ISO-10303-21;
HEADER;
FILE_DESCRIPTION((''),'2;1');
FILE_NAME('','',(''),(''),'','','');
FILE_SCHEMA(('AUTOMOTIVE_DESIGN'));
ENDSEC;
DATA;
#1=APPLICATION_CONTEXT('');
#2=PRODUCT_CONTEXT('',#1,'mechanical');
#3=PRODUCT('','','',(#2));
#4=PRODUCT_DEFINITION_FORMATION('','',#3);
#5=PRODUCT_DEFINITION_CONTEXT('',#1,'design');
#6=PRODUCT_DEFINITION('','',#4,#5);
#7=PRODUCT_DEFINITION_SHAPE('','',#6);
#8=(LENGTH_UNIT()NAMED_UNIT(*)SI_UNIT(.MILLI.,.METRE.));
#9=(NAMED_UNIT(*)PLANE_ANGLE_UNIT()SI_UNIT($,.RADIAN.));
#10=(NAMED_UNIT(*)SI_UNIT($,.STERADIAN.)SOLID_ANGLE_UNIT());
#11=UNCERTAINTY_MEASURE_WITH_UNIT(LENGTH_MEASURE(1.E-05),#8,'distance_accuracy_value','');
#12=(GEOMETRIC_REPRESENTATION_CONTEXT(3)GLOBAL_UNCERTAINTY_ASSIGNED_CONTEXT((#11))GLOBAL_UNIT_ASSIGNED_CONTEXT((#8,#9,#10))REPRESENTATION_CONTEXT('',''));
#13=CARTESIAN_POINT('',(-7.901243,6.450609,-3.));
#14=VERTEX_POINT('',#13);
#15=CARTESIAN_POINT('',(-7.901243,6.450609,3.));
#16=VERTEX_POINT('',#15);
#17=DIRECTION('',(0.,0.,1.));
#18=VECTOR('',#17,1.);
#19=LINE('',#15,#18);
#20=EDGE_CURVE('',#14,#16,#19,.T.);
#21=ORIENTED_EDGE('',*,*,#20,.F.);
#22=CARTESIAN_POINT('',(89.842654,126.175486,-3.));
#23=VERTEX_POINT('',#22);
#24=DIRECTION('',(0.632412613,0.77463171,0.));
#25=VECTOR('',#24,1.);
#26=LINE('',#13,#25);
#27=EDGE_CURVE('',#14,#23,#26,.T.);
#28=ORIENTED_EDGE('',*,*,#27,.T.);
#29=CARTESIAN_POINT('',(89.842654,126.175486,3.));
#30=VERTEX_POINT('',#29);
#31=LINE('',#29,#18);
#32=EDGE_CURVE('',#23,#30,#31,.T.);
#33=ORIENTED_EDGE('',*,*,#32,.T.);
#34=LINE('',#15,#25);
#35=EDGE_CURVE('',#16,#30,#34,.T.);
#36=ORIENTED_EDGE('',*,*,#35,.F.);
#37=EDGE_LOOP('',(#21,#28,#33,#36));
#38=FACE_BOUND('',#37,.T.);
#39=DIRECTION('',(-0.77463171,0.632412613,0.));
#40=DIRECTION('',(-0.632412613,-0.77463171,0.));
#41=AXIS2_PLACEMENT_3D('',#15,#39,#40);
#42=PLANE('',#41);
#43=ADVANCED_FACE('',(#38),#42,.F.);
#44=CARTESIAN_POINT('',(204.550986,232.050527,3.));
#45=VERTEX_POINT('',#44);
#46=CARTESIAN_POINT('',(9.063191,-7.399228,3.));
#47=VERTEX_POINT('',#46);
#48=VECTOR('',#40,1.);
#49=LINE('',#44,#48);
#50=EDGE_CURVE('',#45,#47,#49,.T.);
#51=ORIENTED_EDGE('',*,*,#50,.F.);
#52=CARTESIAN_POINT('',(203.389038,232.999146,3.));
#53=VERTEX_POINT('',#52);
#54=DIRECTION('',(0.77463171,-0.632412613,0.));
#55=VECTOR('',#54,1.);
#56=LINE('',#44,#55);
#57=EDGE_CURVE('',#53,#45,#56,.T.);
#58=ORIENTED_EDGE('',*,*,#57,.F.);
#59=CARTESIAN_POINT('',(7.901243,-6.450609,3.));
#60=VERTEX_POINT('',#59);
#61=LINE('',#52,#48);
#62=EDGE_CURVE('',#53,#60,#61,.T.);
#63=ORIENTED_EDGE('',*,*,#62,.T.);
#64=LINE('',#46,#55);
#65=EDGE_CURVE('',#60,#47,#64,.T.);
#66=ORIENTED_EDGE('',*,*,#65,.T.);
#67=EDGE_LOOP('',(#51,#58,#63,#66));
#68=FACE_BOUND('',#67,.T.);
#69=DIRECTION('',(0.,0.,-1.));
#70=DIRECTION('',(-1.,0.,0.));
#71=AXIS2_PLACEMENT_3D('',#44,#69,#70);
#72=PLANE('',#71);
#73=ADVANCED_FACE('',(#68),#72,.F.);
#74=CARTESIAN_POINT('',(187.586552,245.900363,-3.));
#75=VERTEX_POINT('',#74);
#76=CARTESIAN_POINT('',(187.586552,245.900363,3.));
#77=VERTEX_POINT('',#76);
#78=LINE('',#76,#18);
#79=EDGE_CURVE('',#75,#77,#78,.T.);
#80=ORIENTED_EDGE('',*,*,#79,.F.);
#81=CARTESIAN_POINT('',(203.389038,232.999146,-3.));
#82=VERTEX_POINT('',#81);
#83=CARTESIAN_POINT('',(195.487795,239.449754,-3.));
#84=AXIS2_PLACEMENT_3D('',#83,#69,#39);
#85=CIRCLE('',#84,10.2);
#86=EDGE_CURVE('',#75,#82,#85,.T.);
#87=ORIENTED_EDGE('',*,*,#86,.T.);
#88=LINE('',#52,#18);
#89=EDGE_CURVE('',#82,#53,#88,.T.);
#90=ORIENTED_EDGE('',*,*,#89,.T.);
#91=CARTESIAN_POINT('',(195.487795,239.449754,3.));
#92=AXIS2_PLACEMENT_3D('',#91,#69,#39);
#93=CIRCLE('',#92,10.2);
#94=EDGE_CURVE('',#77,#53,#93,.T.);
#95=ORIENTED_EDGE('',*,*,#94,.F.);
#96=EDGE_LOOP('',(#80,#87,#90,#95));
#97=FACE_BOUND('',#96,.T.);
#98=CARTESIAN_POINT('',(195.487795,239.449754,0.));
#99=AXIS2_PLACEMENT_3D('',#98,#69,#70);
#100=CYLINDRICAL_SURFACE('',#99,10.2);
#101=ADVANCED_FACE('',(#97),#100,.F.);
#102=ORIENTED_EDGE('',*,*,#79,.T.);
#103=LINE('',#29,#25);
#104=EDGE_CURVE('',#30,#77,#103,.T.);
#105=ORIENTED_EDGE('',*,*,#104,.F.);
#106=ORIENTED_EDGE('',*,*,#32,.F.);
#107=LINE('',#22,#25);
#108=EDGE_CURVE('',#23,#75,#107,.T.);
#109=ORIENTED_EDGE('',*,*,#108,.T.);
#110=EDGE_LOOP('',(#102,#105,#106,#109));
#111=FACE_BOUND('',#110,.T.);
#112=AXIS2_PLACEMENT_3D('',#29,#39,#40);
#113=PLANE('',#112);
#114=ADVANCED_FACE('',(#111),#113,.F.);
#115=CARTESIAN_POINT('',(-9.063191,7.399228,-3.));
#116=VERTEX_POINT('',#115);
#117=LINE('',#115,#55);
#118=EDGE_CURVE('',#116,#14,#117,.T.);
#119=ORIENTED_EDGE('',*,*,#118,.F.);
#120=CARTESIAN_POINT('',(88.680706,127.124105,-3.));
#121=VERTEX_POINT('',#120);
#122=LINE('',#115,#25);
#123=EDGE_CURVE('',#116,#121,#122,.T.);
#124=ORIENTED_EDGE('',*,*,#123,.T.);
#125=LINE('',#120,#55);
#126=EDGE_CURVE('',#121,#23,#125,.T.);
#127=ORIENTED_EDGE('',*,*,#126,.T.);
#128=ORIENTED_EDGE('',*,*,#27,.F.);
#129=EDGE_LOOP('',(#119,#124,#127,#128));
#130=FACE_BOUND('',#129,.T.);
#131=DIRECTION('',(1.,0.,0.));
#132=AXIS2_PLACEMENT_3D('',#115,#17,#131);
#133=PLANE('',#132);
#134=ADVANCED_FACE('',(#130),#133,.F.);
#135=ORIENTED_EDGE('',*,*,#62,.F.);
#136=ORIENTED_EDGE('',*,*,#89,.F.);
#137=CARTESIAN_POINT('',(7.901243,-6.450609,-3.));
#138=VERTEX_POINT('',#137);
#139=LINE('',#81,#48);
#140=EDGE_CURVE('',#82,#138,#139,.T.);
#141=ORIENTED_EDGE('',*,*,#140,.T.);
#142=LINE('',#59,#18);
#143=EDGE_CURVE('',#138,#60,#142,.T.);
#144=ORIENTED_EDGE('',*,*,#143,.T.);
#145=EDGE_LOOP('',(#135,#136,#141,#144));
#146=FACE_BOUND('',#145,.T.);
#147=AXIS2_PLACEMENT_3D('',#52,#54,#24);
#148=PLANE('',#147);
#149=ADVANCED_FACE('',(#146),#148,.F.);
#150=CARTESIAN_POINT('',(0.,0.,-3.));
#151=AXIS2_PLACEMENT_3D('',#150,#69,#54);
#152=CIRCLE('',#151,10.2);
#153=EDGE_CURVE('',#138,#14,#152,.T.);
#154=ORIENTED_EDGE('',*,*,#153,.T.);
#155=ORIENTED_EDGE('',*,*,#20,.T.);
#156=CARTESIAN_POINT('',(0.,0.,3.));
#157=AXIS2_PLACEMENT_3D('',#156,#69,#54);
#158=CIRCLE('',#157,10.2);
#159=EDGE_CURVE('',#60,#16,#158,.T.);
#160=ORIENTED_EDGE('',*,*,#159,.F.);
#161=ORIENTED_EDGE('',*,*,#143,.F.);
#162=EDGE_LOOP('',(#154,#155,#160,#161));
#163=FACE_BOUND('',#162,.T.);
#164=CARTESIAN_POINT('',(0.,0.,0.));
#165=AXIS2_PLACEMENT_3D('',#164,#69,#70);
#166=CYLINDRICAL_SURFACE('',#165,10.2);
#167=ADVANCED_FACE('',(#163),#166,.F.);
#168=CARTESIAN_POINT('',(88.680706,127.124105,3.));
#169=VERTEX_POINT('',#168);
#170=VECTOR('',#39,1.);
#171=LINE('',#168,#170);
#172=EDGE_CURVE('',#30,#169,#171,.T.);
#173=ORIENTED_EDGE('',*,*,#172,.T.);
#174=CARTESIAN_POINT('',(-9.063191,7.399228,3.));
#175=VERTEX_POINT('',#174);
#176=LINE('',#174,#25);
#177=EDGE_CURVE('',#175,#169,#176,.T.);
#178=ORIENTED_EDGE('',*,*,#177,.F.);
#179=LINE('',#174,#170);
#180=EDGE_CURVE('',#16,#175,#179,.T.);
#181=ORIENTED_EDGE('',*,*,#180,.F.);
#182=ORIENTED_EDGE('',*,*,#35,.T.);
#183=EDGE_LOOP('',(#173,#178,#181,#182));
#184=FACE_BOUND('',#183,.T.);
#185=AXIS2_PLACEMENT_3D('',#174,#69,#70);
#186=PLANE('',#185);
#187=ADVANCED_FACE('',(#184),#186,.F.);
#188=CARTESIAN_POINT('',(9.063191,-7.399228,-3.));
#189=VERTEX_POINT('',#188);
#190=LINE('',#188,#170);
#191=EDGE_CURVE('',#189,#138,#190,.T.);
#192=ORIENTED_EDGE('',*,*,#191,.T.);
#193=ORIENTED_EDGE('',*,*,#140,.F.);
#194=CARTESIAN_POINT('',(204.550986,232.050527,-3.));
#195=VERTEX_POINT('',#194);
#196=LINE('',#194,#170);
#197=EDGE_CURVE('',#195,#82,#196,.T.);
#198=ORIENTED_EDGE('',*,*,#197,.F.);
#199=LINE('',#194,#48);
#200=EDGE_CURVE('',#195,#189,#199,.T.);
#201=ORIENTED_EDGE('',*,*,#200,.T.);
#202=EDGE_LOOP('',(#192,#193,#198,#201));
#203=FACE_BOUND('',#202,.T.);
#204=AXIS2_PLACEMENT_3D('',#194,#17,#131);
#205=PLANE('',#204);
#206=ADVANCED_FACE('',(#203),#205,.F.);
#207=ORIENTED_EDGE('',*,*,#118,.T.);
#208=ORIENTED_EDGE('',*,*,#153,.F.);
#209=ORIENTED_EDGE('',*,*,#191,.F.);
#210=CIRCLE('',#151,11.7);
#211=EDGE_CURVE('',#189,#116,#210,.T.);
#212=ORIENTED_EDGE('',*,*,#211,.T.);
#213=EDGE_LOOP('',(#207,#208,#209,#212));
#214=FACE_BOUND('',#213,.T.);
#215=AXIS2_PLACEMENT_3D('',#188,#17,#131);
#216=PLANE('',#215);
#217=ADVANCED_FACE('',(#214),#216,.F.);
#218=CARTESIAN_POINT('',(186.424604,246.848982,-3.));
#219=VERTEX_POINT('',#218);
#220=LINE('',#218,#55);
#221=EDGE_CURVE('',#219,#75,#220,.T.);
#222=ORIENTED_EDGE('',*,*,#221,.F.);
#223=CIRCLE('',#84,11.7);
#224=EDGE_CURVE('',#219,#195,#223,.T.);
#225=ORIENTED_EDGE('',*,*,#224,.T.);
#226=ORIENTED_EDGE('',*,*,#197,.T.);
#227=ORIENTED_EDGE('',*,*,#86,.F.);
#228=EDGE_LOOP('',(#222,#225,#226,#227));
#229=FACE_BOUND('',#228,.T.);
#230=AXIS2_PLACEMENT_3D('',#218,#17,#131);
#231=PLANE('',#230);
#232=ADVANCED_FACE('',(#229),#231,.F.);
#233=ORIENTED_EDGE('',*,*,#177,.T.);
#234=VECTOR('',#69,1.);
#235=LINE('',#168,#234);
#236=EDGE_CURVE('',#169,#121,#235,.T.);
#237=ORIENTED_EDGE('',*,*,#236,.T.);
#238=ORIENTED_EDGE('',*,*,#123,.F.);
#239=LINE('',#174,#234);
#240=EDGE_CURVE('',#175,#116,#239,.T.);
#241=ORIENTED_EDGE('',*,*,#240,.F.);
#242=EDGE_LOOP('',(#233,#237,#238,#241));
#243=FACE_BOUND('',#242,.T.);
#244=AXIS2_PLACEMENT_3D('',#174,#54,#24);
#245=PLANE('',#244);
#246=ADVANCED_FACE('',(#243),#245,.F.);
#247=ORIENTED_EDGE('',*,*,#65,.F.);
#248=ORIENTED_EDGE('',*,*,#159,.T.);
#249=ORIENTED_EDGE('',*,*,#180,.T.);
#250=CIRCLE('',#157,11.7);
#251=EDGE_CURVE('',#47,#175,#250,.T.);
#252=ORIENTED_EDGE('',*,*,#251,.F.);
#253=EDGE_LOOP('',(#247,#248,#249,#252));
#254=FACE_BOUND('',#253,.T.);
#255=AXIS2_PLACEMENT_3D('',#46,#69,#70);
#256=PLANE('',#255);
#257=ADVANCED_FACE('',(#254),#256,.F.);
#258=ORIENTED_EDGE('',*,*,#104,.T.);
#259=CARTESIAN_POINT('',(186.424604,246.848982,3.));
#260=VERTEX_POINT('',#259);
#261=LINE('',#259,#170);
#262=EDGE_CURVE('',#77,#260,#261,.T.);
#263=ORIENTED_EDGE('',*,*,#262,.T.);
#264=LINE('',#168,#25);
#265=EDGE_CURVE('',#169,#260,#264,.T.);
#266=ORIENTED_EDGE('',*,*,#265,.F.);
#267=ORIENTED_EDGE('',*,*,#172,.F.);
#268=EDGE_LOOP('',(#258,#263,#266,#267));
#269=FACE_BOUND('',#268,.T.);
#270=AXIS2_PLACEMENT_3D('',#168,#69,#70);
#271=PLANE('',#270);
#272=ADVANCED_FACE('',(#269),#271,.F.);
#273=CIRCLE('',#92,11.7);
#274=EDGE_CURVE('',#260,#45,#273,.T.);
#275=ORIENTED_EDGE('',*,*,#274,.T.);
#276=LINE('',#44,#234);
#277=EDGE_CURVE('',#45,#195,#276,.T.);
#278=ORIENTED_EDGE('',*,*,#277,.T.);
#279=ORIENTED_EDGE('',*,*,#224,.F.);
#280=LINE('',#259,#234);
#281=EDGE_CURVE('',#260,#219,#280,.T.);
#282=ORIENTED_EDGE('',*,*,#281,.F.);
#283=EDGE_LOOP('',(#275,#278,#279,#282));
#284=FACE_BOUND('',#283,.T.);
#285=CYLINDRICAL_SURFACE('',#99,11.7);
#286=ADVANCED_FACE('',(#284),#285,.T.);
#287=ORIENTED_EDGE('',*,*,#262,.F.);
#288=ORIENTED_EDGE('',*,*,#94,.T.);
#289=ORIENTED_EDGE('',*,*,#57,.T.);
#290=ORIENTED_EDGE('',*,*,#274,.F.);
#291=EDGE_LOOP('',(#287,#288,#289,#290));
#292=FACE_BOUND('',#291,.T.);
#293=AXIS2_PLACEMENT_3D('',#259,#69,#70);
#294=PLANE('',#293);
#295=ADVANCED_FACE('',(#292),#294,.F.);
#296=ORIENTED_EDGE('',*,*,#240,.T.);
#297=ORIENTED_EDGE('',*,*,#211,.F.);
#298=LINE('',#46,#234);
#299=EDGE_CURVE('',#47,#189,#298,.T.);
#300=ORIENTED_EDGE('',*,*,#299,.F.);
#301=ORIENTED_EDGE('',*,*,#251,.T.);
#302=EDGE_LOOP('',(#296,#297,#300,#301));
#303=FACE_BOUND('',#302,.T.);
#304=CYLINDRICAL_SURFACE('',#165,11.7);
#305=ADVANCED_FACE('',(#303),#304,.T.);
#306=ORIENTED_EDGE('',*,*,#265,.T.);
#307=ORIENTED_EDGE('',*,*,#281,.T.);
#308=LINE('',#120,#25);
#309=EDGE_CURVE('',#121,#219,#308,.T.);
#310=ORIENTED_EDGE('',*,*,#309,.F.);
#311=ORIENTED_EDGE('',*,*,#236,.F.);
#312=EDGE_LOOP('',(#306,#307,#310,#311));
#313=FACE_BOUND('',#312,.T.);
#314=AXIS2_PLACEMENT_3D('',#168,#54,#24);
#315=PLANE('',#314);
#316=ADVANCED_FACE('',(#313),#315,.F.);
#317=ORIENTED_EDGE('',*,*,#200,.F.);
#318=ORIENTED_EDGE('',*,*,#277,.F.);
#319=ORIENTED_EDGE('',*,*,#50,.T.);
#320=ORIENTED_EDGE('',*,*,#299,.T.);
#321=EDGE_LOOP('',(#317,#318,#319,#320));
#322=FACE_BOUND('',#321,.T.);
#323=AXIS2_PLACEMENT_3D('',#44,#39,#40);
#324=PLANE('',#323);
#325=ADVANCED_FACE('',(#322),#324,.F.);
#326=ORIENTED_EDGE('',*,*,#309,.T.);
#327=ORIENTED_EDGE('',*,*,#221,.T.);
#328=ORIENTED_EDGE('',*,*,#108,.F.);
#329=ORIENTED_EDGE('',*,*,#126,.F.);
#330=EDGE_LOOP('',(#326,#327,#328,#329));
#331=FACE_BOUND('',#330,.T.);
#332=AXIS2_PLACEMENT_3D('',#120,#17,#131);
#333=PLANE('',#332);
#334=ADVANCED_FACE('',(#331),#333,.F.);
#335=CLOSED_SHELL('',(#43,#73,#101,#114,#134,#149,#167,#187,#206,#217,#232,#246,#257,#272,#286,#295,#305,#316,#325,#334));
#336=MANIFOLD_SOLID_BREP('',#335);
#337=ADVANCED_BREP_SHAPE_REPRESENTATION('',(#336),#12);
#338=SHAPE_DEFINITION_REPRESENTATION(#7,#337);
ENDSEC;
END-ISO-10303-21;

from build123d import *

# Parameters (mm, degrees)
SKETCH2_W = 1.5
SKETCH2_H = 6


with BuildPart() as part:
    # Sweep1: sweep along a path in Sketch1
    with BuildLine(Plane.XY) as sweep1_path:
        Line((187.586551529, 245.900362982), (-7.901243443, 6.450608657))
        ThreePointArc((-7.901243443, 6.450608657), (-6.450608657, -7.901243443), (7.901243443, -6.450608657))
        Line((7.901243443, -6.450608657), (203.389038415, 232.999145667))
        ThreePointArc((203.389038415, 232.999145667), (201.938403629, 247.350997768), (187.586551529, 245.900362982))
    # Sketch2 → Sweep1 (sweep)
    with BuildSketch(Plane(origin=(89.842654043, 126.17548582, 0), x_dir=(-0.77463171, 0.632412613, 0), z_dir=(-0.632412613, -0.77463171, 0))):
        with Locations((0.75, 0)):
            Rectangle(SKETCH2_W, SKETCH2_H)
    sweep(path=sweep1_path.line)


solid = part.part
